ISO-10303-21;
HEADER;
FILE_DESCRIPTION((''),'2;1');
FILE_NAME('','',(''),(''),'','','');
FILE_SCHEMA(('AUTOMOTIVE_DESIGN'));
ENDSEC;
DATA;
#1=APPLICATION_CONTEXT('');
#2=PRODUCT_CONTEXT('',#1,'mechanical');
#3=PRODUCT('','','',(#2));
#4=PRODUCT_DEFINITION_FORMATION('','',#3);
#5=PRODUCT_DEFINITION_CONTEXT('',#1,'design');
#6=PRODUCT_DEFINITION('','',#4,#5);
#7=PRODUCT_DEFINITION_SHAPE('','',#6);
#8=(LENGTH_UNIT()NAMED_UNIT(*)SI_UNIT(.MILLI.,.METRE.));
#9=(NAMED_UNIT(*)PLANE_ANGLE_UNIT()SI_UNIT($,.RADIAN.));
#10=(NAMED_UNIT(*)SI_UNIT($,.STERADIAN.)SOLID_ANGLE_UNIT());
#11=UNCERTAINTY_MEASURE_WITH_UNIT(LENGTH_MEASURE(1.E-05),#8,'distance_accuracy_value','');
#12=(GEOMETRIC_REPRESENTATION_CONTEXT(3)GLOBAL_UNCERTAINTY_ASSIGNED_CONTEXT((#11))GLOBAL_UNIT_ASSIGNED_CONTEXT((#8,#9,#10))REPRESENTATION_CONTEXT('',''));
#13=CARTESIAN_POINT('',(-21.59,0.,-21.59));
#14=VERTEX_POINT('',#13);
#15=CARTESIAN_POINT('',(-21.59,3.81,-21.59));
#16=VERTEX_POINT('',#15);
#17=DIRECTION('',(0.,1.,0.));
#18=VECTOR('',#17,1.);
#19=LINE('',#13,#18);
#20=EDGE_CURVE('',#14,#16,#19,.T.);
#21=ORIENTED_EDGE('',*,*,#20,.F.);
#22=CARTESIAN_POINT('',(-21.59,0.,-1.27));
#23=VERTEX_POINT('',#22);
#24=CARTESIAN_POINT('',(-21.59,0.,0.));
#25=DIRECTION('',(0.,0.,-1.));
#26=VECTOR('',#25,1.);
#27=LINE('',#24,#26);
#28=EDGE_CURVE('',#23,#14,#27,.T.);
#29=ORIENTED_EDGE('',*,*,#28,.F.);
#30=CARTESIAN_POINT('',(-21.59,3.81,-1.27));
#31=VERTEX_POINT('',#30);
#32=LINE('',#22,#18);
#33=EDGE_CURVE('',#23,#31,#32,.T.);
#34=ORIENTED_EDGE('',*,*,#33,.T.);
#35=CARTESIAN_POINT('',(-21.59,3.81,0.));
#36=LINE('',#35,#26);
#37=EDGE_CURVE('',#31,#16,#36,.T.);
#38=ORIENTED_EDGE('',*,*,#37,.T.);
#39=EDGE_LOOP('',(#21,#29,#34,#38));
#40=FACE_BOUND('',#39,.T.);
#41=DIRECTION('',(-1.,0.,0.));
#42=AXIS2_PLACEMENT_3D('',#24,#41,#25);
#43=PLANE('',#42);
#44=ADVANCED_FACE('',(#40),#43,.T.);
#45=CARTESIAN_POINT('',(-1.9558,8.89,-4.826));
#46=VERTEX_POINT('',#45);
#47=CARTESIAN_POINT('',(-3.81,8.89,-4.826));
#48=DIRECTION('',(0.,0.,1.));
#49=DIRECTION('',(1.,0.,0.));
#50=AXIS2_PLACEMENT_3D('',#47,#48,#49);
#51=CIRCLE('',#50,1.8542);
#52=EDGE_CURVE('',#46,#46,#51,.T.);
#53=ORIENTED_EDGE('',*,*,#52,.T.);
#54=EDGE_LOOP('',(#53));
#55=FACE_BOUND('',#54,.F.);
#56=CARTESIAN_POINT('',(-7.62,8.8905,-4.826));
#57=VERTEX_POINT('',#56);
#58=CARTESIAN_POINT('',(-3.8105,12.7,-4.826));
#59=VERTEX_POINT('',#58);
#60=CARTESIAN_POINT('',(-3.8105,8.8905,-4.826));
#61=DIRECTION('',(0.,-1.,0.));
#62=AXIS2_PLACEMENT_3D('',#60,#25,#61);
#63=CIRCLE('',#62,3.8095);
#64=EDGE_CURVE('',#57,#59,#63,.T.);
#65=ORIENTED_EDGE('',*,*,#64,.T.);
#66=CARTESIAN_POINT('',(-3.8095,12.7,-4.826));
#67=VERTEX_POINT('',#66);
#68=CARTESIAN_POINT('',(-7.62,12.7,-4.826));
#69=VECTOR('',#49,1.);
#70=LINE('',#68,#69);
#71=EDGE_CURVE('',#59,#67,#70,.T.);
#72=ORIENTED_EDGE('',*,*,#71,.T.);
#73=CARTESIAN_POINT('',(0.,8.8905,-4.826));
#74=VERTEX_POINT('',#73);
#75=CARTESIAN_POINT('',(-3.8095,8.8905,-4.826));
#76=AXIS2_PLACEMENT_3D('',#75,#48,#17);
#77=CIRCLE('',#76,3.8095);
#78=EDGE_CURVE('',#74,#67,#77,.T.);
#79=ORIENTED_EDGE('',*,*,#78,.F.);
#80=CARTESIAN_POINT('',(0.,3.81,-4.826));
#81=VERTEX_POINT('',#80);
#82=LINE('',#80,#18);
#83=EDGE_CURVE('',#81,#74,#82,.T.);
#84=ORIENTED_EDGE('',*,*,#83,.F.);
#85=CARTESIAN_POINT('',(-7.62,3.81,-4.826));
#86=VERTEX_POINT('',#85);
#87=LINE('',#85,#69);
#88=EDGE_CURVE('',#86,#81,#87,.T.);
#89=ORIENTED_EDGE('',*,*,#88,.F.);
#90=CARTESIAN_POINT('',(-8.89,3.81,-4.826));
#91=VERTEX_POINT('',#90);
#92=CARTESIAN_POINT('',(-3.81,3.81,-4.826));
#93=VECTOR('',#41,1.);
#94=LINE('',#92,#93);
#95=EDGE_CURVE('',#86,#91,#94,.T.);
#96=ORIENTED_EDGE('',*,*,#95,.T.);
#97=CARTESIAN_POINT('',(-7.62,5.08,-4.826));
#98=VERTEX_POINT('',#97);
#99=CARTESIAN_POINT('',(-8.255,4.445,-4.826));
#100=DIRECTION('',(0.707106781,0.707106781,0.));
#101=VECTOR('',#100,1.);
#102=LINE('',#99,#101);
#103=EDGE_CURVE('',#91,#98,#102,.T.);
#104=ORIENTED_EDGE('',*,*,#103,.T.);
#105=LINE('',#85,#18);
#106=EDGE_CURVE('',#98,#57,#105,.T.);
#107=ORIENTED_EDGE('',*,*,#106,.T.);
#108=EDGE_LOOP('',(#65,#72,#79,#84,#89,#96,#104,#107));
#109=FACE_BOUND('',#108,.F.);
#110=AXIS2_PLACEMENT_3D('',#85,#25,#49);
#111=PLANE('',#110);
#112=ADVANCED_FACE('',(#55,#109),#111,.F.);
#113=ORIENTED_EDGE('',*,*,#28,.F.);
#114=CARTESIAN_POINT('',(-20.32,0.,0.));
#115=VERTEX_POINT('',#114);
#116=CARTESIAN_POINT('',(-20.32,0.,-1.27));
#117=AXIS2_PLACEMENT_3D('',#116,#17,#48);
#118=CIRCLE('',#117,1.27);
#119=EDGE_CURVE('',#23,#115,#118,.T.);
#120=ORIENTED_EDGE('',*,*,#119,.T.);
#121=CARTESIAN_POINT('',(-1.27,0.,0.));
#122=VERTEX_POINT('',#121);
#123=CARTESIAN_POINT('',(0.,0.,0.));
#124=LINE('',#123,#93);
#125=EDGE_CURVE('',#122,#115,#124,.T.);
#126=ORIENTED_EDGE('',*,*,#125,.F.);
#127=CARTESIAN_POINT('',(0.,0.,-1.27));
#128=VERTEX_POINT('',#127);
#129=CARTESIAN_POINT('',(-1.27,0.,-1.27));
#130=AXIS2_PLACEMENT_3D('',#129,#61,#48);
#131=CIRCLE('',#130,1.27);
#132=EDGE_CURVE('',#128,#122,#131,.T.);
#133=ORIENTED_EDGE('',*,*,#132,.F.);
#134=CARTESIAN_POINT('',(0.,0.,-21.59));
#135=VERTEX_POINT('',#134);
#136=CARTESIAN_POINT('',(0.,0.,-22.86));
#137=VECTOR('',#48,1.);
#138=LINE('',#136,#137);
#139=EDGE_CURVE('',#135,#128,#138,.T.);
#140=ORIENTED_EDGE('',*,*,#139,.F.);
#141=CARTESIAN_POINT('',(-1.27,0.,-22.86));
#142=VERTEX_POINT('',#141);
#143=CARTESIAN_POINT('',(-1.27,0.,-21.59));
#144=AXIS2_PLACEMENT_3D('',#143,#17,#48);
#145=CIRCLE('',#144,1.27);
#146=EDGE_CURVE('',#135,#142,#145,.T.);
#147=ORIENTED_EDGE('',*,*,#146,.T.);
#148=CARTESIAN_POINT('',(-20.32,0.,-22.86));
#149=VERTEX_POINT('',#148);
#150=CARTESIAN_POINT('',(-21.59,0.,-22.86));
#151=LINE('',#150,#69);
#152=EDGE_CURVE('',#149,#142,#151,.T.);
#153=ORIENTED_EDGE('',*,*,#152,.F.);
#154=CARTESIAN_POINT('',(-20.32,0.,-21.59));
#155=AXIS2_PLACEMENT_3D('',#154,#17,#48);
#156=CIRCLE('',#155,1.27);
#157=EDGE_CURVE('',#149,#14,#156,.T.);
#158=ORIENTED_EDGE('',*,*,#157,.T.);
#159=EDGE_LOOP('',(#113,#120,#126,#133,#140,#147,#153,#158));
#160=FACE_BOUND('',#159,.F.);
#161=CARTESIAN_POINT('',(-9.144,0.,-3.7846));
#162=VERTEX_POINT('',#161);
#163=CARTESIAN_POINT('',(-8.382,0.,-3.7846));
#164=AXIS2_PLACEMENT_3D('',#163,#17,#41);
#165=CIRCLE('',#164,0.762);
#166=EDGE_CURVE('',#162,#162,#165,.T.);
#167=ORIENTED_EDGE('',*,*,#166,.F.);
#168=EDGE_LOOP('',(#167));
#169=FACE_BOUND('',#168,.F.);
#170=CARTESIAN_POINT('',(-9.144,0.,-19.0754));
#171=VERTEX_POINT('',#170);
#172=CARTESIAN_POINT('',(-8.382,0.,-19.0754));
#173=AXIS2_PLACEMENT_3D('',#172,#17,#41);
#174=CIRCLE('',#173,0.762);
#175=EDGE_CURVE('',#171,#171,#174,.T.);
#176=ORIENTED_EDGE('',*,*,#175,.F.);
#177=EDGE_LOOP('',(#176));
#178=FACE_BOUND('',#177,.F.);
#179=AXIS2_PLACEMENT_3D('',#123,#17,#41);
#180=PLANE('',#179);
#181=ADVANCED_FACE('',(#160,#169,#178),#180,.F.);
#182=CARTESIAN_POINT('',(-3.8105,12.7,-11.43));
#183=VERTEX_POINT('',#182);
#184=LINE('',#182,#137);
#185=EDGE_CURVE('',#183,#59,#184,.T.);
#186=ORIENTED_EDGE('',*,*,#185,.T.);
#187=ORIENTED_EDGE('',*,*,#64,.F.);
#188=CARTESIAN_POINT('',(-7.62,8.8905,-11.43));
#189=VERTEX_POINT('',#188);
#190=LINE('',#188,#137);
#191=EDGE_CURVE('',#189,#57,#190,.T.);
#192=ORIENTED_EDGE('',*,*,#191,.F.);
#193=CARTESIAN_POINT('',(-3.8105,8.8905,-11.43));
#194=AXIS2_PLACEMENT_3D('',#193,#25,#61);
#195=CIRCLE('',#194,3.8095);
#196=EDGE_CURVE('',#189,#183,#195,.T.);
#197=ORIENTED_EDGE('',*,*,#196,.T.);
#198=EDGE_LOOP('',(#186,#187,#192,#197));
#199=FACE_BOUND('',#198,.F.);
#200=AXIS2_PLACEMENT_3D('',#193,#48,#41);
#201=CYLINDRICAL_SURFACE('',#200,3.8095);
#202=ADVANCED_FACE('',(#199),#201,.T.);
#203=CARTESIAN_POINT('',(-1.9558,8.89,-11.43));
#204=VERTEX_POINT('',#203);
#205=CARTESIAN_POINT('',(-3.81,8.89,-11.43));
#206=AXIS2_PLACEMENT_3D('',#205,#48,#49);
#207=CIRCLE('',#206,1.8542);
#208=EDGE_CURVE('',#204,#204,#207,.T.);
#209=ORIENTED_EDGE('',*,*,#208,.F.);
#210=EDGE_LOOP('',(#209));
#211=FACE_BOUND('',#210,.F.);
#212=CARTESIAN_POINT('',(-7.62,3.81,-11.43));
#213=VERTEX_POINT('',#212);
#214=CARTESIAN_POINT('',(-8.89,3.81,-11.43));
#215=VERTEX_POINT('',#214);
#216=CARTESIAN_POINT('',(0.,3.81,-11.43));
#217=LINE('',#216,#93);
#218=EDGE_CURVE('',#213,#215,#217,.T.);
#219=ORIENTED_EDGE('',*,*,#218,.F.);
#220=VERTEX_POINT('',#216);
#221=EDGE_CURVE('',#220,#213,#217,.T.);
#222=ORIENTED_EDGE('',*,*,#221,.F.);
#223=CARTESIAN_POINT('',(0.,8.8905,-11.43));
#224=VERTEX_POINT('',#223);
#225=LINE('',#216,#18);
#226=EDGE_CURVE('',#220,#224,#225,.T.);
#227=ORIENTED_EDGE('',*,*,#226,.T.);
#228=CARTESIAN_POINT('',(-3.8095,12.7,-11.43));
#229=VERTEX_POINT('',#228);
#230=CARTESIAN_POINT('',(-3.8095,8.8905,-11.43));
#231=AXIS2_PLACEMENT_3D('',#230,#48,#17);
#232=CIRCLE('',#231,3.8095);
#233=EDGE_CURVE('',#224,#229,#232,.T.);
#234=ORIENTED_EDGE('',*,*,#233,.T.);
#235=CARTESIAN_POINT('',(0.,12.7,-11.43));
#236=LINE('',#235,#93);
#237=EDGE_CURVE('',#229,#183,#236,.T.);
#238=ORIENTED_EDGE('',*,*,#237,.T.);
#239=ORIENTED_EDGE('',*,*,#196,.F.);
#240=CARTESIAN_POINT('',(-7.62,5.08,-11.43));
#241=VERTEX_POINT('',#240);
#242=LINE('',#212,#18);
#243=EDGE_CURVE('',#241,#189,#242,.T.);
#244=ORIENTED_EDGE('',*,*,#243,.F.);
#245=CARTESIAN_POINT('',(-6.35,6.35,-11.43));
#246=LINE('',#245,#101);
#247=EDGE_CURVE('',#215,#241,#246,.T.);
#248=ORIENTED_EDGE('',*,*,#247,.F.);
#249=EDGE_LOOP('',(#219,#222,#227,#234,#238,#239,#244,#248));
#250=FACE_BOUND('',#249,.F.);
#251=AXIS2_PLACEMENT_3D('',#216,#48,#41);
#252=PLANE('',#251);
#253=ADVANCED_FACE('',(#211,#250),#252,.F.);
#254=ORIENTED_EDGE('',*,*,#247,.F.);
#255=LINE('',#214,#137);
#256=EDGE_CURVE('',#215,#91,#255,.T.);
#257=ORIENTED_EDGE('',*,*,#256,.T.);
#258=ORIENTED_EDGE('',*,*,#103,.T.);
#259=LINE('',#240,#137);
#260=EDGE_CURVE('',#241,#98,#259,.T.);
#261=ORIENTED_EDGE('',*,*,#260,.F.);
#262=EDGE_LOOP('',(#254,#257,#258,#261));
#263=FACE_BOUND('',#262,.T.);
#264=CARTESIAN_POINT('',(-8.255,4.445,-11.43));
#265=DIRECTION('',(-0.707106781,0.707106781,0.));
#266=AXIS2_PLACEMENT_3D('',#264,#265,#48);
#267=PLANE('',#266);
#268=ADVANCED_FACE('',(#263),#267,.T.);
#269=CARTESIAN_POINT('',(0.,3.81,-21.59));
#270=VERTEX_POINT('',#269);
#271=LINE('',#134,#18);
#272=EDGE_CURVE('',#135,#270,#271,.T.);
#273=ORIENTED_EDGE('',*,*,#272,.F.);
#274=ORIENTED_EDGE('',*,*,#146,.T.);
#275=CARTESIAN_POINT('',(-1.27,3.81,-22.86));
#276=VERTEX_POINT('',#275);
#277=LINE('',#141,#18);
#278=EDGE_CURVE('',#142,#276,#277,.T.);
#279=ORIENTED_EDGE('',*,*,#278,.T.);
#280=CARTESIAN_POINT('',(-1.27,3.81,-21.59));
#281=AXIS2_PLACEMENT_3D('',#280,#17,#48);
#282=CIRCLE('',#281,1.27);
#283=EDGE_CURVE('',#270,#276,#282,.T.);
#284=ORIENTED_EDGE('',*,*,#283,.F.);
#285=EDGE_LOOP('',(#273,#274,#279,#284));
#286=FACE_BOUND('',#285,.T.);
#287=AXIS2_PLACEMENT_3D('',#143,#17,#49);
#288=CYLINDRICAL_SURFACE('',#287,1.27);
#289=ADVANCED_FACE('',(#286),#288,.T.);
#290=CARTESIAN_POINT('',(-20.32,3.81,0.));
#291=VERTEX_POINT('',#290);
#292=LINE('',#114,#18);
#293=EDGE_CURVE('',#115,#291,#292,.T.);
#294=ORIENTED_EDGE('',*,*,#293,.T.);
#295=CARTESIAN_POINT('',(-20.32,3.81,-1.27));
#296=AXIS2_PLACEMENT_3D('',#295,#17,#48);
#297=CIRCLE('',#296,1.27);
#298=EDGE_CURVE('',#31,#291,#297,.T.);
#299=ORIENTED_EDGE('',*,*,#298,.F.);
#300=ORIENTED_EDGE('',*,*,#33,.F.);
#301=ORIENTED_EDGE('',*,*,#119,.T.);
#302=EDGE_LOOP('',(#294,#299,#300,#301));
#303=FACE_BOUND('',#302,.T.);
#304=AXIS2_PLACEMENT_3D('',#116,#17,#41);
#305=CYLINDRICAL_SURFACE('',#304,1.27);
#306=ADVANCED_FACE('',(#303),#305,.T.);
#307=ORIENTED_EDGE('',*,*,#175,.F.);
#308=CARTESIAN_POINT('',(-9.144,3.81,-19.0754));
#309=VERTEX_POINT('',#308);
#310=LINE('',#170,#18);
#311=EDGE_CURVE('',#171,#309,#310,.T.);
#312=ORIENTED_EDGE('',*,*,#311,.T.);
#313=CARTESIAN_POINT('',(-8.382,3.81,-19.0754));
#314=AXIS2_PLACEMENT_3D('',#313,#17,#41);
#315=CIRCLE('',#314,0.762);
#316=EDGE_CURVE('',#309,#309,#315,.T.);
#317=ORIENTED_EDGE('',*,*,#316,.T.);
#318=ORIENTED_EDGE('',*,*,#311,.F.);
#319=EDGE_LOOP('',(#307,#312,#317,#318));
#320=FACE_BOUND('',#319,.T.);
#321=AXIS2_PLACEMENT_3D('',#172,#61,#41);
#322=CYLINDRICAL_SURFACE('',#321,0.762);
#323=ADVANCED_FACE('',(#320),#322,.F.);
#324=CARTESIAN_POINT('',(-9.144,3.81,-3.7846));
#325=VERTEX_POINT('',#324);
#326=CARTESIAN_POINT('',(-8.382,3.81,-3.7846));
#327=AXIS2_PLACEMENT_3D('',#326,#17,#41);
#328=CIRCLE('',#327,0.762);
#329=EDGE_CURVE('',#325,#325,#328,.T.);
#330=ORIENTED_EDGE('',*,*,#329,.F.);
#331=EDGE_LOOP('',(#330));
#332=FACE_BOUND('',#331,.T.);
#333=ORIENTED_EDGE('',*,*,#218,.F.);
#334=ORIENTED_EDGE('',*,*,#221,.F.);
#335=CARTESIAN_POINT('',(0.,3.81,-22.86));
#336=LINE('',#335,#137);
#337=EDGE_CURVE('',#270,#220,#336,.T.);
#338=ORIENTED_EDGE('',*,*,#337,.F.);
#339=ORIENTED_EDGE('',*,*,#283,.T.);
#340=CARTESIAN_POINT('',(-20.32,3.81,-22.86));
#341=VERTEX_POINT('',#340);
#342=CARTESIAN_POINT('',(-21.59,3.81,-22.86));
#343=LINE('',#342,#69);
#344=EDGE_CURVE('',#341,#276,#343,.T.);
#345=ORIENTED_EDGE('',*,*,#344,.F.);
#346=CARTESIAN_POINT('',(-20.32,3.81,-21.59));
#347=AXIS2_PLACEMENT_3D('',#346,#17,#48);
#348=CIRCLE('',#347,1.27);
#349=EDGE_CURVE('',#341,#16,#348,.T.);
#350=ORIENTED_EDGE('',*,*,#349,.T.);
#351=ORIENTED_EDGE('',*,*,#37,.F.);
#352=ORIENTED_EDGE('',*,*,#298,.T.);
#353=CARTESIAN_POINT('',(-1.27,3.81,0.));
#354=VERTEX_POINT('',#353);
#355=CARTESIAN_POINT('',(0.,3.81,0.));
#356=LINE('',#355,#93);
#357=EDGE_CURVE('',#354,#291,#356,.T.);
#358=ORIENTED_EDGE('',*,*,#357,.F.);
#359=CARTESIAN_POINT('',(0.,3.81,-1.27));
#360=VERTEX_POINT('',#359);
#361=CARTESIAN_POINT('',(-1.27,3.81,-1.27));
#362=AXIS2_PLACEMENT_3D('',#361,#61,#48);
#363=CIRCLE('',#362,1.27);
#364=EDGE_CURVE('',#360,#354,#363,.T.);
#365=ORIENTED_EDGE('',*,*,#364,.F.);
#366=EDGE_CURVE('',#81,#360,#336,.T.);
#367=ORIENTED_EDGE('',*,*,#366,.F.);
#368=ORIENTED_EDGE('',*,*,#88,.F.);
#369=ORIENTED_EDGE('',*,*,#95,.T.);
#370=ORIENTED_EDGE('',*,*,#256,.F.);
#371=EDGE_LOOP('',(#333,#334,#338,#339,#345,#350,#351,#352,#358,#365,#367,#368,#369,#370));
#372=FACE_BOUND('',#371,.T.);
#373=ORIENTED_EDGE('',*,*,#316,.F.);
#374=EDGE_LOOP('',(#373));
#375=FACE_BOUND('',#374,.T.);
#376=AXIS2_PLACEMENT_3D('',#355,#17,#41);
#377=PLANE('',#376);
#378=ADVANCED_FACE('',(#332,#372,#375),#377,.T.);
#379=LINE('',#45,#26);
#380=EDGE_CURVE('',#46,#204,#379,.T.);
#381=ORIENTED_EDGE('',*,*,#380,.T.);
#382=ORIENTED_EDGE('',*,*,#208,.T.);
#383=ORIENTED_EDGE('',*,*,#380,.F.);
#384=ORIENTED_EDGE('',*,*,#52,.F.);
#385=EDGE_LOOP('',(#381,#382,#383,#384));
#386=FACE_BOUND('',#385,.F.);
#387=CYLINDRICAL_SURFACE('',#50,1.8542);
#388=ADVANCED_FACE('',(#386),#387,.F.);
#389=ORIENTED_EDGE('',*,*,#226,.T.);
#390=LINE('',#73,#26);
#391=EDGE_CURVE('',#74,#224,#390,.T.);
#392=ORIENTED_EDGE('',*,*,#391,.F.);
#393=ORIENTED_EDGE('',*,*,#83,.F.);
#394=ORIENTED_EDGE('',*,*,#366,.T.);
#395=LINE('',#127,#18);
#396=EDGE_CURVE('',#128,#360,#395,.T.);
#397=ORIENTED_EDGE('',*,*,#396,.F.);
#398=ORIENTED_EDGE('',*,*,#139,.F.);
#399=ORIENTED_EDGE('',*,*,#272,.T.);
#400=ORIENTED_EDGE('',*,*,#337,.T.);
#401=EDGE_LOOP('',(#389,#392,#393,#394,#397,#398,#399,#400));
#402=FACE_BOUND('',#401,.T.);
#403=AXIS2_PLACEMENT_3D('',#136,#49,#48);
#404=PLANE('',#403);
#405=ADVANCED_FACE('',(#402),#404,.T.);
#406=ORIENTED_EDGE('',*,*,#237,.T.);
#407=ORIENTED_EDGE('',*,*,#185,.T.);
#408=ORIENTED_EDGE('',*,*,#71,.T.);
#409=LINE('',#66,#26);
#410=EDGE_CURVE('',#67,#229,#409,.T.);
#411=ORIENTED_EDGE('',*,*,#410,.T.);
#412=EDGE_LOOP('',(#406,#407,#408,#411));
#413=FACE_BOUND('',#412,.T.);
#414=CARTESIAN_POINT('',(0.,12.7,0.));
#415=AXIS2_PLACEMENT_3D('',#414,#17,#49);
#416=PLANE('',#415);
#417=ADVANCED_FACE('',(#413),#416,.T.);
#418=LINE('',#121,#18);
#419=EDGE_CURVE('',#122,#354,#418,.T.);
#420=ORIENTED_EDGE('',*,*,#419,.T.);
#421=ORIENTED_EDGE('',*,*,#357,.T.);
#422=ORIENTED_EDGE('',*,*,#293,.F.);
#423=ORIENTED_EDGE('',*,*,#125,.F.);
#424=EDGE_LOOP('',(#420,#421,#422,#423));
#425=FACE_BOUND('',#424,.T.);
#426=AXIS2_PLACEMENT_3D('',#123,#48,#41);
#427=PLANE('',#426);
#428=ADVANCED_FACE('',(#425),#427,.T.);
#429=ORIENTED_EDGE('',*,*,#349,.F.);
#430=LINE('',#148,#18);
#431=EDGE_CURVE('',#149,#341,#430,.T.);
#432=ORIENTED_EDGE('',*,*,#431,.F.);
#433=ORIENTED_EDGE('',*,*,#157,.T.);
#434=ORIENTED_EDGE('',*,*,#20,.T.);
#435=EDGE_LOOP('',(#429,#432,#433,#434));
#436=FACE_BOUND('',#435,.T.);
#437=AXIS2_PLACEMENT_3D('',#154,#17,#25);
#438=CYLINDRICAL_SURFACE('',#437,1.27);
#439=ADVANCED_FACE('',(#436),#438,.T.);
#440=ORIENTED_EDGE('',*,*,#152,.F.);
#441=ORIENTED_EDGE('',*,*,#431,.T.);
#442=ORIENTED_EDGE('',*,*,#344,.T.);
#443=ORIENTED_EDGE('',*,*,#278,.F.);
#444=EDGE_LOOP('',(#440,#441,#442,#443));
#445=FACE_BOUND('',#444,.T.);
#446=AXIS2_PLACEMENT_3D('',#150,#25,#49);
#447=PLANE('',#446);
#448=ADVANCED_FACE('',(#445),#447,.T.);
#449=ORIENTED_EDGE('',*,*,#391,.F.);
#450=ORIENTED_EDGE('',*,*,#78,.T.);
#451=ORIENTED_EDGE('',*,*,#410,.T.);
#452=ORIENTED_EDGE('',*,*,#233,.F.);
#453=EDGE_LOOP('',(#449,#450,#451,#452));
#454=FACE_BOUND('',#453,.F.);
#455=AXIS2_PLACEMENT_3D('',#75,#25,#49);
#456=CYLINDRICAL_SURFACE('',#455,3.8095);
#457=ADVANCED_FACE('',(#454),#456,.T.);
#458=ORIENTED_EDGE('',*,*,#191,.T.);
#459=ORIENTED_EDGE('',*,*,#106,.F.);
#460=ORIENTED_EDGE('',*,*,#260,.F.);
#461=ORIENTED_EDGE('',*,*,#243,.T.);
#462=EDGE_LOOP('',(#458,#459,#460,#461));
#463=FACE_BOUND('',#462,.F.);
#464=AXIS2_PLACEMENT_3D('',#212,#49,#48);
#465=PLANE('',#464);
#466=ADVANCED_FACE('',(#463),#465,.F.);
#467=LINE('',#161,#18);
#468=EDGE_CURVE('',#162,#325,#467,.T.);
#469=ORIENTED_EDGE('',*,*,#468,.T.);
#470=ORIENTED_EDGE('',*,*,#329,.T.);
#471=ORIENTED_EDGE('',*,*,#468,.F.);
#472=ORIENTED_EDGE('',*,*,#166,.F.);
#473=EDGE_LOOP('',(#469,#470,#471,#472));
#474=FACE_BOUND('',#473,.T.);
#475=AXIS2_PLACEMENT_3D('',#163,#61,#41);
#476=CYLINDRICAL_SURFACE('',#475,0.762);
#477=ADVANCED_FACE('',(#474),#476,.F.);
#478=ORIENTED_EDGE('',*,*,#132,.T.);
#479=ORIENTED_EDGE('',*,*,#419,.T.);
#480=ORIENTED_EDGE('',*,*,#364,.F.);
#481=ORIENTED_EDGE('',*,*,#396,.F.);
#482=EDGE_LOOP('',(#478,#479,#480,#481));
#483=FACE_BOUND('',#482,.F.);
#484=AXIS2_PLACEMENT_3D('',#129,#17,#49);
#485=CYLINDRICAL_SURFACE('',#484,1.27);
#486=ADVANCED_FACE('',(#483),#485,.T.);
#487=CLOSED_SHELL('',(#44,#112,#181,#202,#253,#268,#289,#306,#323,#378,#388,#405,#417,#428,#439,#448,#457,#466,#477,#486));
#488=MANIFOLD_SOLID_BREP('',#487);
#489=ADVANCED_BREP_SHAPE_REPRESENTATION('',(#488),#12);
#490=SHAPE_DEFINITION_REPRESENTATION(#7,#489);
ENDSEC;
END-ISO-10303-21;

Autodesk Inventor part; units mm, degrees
ref_plane "YZ Plane" through (0, 0, 0) normal (1, 0, 0) x (0, 1, 0)
ref_plane "XZ Plane" through (0, 0, 0) normal (0, 1, 0) x (-1, 0, 0)
ref_plane "XY Plane" through (0, 0, 0) normal (0, 0, 1) x (1, 0, 0)
sketch "Sketch1" plane through (0, 0, 0) normal (0, 1, 0) x (-1, 0, 0)
  line L0 (0, 0) -> (21.59, 0)
  line L1 (21.59, 0) -> (21.59, -22.86)
  line L2 (21.59, -22.86) -> (0, -22.86)
  line L3 (0, -22.86) -> (0, 0)
  line L4 (6.35, 0) -> (6.35, -22.86) construction
  circle A0 centre (8.382, -3.7846) radius 0.762
  circle A1 centre (8.382, -19.0754) radius 0.762
  line L5 (6.35, -3.7846) -> (7.62, -3.7846) construction
  line L6 (8.382, -3.0226) -> (8.382, 0) construction
  line L7 (7.62, -19.0754) -> (6.35, -19.0754) construction
  line L8 (8.382, -19.8374) -> (8.382, -22.86) construction
  line L9 (17.653, -10.287) -> (15.367, -10.287) construction
  line L10 (15.367, -10.287) -> (15.367, -12.573) construction
  line L11 (15.367, -12.573) -> (17.653, -12.573) construction
  line L12 (17.653, -12.573) -> (17.653, -10.287) construction
  line L13 (17.653, -11.43) -> (15.367, -11.43) construction
  line L14 (16.51, -10.287) -> (16.51, -12.573) construction
  line L15 (8.382, -19.0754) -> (8.382, -3.7846) construction
  point P0 (6.35, -11.43)
  dimension "d0" = 22.86
  dimension "d1" = 21.59
  dimension "d2" = 1.524
  dimension "d3" = 1.524
  dimension "d4" = 1.27
  dimension "d6" = 1.27
  dimension "d10" = 15.24
  dimension "d11" = 2.286
  dimension "d12" = 2.286
  dimension "d13" = 10.16
  dimension "d14" = 16.51
  dimension "d30" = 15.2908
  dimension "d31" = 3.0226
extrude "Extrusion1" add sketch "Sketch1" along normal blind 3.81
sketch "Sketch2" plane through (0, 3.81, 0) normal (0, 1, 0) x (1, 0, 0)
  line L0 (-21.59, 22.86) -> (-21.59, 0) projected
  line L1 (-21.59, 11.43) -> (0, 11.43) construction
  line L2 (0, 0) -> (0, 22.86) projected
  line L3 (0, 11.43) -> (-7.62, 11.43)
  line L4 (-7.62, 11.43) -> (-7.62, 4.826)
  line L5 (-7.62, 4.826) -> (0, 4.826)
  line L6 (0, 4.826) -> (0, 11.43)
  dimension "d17" = 6.604
  dimension "d18" = 7.62
extrude "Extrusion2" add sketch "Sketch2" along normal blind 8.89
fillet "Fillet1" radius 3.81 2 edges at (-7.62, 12.7, -8.128) (0, 12.7, -8.128)
sketch "Sketch3" plane through (-7.62, 3.81, -4.826) normal (0, 0, 1) x (1, 0, 0)
  arc A0 (7.62, 5.08) -> (0, 5.08) centre (3.81, 5.08) ccw projected
  circle A1 centre (3.81, 5.08) radius 1.8542
  point P0 (7.62, -3.81)
  dimension "d22" = 3.7084
extrude "Extrusion4" cut sketch "Sketch3" against normal through all
chamfer "Chamfer1" distance 1.27 angle 45 1 edges at (-7.62, 3.81, -8.128)
fillet "Fillet2" radius 1.27 4 edges at (-21.59, 1.905, 0) (0, 1.905, 0) (0, 1.905, -22.86) (-21.59, 1.905, -22.86)
equation "\"d3\" = d2"
equation "\"d6\" = d4"
equation "\"d31\" = -0.5 * d2 + 0.5 * d0 - 0.5 * d30"
properties part number "Mount for TMP007 Sensor"
